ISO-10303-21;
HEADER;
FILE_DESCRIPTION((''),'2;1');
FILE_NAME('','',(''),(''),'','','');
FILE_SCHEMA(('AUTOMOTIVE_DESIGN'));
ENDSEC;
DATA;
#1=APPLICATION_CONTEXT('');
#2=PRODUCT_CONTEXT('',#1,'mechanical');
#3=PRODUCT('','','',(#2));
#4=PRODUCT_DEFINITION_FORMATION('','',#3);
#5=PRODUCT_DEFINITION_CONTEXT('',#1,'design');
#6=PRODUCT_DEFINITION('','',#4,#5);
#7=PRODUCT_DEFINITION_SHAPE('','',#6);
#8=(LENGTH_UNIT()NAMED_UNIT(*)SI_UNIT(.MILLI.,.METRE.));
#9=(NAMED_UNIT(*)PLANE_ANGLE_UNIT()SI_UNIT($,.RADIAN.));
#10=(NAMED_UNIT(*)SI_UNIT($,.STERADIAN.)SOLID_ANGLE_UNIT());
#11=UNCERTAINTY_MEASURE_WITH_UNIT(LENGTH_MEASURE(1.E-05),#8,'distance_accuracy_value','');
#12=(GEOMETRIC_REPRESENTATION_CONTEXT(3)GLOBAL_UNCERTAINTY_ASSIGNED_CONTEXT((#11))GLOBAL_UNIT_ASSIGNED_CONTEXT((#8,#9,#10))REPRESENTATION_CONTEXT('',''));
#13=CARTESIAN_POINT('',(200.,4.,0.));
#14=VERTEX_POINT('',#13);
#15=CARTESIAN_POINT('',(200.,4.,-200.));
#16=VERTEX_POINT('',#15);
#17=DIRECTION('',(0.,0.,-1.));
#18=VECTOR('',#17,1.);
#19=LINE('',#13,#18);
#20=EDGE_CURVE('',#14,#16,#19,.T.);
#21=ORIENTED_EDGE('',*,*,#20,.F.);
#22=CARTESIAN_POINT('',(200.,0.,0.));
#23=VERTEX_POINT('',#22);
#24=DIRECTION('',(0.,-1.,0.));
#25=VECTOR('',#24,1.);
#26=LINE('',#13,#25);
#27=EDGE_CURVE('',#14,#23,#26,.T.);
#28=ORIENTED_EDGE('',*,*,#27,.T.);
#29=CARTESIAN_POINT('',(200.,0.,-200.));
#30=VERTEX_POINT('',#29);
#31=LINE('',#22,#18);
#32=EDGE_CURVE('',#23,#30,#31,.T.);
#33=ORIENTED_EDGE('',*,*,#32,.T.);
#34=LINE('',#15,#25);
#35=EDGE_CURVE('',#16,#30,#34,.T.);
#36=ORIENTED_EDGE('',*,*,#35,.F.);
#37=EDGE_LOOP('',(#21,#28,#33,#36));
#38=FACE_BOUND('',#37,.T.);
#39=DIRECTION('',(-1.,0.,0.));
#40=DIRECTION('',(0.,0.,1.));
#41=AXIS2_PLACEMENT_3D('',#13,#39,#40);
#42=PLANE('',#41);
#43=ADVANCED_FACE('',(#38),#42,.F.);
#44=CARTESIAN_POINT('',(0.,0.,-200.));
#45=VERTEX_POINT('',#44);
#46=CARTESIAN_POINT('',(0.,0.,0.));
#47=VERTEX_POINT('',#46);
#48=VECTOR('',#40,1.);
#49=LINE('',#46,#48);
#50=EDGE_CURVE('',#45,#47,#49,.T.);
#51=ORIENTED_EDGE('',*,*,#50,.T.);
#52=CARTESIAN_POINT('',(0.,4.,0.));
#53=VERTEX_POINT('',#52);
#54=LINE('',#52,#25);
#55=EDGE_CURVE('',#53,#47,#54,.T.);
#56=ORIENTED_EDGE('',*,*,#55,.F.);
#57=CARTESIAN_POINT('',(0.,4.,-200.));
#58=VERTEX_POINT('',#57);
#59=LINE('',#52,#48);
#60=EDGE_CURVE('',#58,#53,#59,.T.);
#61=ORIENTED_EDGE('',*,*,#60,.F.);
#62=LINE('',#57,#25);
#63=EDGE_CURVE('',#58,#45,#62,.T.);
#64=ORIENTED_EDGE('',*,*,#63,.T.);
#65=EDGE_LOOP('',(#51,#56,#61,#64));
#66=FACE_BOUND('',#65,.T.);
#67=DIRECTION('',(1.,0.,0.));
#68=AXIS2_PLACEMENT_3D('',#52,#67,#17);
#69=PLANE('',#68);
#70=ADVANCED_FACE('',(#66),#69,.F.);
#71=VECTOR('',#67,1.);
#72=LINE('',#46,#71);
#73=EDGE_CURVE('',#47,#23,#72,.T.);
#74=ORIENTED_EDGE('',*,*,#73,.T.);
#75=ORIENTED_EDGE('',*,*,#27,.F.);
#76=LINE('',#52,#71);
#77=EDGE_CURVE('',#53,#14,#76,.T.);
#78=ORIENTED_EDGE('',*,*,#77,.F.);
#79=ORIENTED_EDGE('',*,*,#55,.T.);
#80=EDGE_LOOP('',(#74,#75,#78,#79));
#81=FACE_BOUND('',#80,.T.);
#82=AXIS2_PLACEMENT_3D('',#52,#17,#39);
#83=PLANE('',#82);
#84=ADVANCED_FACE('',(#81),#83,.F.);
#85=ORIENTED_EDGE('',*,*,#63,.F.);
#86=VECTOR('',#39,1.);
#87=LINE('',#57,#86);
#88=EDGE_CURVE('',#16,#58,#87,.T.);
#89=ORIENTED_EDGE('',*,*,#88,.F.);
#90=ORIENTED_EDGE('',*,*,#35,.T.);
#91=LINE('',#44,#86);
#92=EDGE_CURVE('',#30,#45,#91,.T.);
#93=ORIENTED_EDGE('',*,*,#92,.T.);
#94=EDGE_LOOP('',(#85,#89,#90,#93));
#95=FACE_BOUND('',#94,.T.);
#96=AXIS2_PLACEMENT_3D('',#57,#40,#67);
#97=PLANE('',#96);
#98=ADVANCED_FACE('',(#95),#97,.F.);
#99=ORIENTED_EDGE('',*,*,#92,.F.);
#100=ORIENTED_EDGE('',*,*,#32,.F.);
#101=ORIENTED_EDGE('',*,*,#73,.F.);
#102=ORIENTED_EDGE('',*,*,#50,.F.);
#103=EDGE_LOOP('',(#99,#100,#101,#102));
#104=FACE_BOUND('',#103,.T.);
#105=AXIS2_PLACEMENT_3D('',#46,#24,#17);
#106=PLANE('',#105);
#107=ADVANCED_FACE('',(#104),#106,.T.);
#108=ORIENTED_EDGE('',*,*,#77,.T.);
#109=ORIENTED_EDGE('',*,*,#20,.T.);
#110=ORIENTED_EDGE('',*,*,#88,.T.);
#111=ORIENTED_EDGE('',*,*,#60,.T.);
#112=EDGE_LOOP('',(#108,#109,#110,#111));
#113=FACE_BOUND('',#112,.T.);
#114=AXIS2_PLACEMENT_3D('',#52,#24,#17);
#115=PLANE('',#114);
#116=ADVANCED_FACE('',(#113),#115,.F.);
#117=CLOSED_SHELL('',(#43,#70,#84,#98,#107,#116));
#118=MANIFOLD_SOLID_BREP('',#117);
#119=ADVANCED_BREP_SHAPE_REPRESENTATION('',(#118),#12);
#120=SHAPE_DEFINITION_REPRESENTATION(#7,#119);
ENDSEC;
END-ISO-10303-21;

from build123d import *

# Parameters (mm, degrees)
SKETCH1_W           = 200
SKETCH1_H           = 200
BOSS_EXTRUDE1_DEPTH = 4


with BuildPart() as part:
    # Sketch1 → Boss-Extrude1 (new body)
    with BuildSketch(Plane(origin=(0, 0, 0), x_dir=(1, 0, 0), z_dir=(0, 1, 0))):
        with Locations((100, 100)):
            Rectangle(SKETCH1_W, SKETCH1_H)
    extrude(amount=BOSS_EXTRUDE1_DEPTH)


solid = part.part
